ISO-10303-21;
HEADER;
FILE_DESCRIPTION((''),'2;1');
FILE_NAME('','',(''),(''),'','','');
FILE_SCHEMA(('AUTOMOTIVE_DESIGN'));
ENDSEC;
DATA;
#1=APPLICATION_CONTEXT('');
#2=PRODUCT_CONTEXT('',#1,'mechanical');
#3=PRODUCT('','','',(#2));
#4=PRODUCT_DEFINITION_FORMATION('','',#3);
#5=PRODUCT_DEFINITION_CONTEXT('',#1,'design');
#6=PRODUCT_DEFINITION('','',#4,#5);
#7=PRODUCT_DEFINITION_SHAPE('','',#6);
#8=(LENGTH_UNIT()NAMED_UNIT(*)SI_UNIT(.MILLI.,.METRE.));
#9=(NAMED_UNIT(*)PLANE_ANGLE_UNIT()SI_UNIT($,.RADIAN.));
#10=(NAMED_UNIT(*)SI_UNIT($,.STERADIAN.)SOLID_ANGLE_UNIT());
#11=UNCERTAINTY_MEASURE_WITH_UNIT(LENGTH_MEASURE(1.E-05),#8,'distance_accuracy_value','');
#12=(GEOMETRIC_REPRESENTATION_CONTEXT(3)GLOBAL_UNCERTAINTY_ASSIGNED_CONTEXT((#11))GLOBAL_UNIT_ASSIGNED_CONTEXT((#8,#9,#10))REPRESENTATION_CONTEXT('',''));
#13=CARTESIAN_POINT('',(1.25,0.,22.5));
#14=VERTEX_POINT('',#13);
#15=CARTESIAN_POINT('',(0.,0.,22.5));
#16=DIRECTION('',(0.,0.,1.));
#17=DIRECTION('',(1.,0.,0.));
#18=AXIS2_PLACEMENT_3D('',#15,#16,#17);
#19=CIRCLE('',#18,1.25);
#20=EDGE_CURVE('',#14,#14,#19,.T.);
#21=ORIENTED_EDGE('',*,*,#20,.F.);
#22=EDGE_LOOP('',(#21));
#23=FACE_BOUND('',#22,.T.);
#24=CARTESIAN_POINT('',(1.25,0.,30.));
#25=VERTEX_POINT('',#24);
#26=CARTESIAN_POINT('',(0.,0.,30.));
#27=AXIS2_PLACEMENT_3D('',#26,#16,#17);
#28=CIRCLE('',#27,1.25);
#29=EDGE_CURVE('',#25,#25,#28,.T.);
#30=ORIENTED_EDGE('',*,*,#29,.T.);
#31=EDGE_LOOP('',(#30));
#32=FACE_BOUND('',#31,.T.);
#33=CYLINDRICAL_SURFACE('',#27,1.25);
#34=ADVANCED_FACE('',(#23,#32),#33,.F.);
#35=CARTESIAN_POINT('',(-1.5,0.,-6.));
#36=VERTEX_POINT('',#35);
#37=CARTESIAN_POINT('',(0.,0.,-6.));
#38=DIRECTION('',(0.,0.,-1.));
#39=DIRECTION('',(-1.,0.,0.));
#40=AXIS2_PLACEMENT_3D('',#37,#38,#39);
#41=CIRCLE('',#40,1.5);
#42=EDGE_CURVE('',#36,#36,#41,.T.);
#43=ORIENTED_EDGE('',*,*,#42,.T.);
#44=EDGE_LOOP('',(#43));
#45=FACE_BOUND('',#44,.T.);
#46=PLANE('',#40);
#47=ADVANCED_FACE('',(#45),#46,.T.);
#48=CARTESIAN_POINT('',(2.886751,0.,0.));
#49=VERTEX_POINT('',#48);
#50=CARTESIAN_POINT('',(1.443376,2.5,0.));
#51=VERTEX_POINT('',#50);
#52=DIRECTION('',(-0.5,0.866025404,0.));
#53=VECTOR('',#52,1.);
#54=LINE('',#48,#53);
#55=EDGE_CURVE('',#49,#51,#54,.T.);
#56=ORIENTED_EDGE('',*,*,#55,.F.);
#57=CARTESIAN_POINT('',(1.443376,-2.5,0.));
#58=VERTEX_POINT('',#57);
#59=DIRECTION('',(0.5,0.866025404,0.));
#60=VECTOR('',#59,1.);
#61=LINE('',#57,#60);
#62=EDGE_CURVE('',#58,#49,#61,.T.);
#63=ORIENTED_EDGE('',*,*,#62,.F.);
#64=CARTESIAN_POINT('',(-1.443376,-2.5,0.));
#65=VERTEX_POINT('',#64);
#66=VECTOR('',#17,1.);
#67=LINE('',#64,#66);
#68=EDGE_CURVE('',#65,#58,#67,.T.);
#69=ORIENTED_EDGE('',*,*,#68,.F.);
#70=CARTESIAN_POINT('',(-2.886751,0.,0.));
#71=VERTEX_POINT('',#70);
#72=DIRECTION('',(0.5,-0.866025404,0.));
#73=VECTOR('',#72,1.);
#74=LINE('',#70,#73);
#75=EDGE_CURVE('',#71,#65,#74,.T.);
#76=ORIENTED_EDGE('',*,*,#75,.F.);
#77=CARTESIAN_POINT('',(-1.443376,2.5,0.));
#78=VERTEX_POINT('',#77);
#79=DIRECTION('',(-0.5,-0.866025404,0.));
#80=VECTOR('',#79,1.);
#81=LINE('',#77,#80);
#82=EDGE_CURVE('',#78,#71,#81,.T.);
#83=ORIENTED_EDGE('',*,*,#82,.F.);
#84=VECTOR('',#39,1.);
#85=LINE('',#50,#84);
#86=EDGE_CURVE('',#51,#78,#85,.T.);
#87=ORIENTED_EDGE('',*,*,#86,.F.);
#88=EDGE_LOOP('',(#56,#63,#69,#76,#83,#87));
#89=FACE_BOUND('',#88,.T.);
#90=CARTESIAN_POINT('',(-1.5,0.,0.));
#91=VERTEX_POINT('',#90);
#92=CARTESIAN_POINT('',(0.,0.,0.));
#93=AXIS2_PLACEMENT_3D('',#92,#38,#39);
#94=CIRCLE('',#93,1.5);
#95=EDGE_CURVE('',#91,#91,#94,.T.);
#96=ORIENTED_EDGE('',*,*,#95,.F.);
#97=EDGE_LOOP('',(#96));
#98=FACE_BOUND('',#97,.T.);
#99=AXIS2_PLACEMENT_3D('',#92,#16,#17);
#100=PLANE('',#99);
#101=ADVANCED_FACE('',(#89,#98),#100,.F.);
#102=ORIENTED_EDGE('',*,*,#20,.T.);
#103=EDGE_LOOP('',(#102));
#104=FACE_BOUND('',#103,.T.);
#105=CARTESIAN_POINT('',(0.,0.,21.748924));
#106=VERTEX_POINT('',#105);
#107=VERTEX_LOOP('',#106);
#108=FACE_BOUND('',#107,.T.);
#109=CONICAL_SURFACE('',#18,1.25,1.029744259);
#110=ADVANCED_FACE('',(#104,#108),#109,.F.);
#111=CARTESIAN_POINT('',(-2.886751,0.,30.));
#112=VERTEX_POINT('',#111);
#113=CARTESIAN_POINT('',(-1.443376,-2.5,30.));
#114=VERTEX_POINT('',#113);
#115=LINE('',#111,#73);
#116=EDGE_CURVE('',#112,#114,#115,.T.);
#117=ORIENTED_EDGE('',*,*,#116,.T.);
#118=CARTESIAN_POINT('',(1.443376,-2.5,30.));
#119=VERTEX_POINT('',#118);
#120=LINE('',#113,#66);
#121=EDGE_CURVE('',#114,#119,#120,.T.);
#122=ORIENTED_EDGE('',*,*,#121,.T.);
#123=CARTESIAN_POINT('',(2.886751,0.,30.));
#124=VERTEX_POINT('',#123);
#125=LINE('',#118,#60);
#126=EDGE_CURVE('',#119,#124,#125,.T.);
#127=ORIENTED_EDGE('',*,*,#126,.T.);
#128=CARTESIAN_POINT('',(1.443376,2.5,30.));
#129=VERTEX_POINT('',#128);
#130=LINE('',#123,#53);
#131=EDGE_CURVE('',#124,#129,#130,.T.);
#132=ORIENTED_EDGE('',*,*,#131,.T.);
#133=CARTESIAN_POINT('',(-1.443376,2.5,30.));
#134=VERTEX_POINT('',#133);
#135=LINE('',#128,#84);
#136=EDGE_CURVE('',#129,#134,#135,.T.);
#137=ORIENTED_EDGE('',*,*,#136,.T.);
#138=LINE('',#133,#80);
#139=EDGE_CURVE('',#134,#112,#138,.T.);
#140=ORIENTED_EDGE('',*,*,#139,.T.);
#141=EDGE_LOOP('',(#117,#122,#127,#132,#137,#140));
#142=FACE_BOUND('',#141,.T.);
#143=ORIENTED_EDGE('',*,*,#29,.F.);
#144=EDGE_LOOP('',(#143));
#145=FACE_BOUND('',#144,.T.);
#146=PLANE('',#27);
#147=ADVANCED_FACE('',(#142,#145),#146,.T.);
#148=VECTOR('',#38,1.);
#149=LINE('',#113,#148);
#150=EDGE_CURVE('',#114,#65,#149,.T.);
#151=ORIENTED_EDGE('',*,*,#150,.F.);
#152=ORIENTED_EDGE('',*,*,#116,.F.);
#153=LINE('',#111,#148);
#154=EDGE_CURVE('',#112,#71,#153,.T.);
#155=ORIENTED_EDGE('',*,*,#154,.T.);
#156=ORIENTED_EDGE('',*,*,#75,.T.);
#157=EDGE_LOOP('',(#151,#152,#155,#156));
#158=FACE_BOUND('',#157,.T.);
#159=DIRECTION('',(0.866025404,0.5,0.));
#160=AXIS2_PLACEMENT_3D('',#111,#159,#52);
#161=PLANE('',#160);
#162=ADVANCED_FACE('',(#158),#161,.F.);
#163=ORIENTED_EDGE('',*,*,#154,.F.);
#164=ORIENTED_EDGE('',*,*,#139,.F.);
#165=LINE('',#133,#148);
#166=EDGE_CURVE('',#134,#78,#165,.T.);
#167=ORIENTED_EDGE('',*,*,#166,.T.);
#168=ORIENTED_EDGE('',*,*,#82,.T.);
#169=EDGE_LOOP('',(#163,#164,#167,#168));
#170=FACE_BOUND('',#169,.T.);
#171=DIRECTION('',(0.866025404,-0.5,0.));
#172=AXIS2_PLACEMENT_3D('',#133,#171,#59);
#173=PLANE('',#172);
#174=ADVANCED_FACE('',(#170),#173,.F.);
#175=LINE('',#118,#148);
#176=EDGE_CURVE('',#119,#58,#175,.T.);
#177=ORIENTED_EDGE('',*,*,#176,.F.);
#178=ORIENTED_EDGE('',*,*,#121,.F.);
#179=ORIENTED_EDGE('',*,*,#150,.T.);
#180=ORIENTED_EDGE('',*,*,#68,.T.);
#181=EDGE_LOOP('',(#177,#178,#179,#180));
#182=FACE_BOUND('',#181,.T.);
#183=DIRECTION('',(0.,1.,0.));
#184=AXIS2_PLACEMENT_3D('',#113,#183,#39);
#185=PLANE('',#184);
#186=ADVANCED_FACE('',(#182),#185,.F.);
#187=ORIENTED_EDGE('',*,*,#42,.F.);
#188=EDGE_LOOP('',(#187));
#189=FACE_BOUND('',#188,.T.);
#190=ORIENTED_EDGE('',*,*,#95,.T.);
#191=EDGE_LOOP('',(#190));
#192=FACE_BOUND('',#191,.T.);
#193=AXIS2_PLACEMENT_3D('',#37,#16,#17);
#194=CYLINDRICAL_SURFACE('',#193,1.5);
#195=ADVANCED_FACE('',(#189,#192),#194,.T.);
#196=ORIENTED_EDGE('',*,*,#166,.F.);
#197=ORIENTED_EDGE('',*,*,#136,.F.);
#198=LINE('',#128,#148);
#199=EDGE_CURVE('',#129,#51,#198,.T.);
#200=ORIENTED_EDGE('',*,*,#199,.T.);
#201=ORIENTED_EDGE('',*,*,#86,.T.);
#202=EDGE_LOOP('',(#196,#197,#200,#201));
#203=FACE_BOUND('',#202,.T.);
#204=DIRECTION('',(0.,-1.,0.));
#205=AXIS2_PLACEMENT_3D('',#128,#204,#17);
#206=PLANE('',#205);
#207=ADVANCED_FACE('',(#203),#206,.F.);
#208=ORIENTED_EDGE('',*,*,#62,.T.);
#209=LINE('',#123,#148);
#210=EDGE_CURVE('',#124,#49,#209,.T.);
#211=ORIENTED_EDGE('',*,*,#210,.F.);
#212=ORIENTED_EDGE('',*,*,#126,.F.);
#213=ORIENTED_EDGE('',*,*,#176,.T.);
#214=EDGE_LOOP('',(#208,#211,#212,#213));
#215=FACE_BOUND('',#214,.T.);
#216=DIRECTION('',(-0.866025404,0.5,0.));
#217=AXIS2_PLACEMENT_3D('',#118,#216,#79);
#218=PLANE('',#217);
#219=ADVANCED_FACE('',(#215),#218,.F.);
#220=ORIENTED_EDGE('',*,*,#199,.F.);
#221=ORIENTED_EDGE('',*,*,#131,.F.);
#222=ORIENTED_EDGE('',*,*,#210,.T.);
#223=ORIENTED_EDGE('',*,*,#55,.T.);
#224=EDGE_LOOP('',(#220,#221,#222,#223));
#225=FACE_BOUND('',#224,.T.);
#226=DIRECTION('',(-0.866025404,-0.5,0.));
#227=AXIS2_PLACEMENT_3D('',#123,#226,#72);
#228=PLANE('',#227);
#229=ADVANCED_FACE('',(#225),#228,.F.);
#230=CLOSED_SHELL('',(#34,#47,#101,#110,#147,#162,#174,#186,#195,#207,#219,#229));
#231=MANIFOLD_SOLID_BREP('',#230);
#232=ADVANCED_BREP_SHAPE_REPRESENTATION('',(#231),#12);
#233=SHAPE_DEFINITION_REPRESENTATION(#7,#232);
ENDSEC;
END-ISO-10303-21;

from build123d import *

# Parameters (mm, degrees)
EXTRUDE_1_DEPTH = 30
SKETCH_4_R      = 1.5
EXTRUDE_2_DEPTH = 6
M3X0_5_1_D      = 2.5
M3X0_5_1_DEPTH  = 7.5
M3X0_5_1_TIP    = 0.751075774


with BuildPart() as part:
    # 草圖1 → 填料-伸長1 (new body)
    with BuildSketch(Plane.XY):
        Polygon((-1.443375673, 2.5), (-2.886751346, 0), (-1.443375673, -2.5), (1.443375673, -2.5), (2.886751346, 0), (1.443375673, 2.5), align=None)
    extrude(amount=EXTRUDE_1_DEPTH)

    # 草圖4 → 填料-伸長2 (add)
    with BuildSketch(Plane(origin=(0, 0, 0), x_dir=(-1, 0, 0), z_dir=(0, 0, -1))):
        Circle(SKETCH_4_R)
    extrude(amount=EXTRUDE_2_DEPTH)

    # M3x0.5 螺紋孔1
    with Locations(Plane.XY.offset(30)):
        with Locations((0, 0)):
            Hole(M3X0_5_1_D / 2, depth=M3X0_5_1_DEPTH)
            with Locations((0, 0, -(M3X0_5_1_DEPTH + M3X0_5_1_TIP / 2))):  # 118° drill point
                Cone(0, M3X0_5_1_D / 2, M3X0_5_1_TIP, mode=Mode.SUBTRACT)


solid = part.part
